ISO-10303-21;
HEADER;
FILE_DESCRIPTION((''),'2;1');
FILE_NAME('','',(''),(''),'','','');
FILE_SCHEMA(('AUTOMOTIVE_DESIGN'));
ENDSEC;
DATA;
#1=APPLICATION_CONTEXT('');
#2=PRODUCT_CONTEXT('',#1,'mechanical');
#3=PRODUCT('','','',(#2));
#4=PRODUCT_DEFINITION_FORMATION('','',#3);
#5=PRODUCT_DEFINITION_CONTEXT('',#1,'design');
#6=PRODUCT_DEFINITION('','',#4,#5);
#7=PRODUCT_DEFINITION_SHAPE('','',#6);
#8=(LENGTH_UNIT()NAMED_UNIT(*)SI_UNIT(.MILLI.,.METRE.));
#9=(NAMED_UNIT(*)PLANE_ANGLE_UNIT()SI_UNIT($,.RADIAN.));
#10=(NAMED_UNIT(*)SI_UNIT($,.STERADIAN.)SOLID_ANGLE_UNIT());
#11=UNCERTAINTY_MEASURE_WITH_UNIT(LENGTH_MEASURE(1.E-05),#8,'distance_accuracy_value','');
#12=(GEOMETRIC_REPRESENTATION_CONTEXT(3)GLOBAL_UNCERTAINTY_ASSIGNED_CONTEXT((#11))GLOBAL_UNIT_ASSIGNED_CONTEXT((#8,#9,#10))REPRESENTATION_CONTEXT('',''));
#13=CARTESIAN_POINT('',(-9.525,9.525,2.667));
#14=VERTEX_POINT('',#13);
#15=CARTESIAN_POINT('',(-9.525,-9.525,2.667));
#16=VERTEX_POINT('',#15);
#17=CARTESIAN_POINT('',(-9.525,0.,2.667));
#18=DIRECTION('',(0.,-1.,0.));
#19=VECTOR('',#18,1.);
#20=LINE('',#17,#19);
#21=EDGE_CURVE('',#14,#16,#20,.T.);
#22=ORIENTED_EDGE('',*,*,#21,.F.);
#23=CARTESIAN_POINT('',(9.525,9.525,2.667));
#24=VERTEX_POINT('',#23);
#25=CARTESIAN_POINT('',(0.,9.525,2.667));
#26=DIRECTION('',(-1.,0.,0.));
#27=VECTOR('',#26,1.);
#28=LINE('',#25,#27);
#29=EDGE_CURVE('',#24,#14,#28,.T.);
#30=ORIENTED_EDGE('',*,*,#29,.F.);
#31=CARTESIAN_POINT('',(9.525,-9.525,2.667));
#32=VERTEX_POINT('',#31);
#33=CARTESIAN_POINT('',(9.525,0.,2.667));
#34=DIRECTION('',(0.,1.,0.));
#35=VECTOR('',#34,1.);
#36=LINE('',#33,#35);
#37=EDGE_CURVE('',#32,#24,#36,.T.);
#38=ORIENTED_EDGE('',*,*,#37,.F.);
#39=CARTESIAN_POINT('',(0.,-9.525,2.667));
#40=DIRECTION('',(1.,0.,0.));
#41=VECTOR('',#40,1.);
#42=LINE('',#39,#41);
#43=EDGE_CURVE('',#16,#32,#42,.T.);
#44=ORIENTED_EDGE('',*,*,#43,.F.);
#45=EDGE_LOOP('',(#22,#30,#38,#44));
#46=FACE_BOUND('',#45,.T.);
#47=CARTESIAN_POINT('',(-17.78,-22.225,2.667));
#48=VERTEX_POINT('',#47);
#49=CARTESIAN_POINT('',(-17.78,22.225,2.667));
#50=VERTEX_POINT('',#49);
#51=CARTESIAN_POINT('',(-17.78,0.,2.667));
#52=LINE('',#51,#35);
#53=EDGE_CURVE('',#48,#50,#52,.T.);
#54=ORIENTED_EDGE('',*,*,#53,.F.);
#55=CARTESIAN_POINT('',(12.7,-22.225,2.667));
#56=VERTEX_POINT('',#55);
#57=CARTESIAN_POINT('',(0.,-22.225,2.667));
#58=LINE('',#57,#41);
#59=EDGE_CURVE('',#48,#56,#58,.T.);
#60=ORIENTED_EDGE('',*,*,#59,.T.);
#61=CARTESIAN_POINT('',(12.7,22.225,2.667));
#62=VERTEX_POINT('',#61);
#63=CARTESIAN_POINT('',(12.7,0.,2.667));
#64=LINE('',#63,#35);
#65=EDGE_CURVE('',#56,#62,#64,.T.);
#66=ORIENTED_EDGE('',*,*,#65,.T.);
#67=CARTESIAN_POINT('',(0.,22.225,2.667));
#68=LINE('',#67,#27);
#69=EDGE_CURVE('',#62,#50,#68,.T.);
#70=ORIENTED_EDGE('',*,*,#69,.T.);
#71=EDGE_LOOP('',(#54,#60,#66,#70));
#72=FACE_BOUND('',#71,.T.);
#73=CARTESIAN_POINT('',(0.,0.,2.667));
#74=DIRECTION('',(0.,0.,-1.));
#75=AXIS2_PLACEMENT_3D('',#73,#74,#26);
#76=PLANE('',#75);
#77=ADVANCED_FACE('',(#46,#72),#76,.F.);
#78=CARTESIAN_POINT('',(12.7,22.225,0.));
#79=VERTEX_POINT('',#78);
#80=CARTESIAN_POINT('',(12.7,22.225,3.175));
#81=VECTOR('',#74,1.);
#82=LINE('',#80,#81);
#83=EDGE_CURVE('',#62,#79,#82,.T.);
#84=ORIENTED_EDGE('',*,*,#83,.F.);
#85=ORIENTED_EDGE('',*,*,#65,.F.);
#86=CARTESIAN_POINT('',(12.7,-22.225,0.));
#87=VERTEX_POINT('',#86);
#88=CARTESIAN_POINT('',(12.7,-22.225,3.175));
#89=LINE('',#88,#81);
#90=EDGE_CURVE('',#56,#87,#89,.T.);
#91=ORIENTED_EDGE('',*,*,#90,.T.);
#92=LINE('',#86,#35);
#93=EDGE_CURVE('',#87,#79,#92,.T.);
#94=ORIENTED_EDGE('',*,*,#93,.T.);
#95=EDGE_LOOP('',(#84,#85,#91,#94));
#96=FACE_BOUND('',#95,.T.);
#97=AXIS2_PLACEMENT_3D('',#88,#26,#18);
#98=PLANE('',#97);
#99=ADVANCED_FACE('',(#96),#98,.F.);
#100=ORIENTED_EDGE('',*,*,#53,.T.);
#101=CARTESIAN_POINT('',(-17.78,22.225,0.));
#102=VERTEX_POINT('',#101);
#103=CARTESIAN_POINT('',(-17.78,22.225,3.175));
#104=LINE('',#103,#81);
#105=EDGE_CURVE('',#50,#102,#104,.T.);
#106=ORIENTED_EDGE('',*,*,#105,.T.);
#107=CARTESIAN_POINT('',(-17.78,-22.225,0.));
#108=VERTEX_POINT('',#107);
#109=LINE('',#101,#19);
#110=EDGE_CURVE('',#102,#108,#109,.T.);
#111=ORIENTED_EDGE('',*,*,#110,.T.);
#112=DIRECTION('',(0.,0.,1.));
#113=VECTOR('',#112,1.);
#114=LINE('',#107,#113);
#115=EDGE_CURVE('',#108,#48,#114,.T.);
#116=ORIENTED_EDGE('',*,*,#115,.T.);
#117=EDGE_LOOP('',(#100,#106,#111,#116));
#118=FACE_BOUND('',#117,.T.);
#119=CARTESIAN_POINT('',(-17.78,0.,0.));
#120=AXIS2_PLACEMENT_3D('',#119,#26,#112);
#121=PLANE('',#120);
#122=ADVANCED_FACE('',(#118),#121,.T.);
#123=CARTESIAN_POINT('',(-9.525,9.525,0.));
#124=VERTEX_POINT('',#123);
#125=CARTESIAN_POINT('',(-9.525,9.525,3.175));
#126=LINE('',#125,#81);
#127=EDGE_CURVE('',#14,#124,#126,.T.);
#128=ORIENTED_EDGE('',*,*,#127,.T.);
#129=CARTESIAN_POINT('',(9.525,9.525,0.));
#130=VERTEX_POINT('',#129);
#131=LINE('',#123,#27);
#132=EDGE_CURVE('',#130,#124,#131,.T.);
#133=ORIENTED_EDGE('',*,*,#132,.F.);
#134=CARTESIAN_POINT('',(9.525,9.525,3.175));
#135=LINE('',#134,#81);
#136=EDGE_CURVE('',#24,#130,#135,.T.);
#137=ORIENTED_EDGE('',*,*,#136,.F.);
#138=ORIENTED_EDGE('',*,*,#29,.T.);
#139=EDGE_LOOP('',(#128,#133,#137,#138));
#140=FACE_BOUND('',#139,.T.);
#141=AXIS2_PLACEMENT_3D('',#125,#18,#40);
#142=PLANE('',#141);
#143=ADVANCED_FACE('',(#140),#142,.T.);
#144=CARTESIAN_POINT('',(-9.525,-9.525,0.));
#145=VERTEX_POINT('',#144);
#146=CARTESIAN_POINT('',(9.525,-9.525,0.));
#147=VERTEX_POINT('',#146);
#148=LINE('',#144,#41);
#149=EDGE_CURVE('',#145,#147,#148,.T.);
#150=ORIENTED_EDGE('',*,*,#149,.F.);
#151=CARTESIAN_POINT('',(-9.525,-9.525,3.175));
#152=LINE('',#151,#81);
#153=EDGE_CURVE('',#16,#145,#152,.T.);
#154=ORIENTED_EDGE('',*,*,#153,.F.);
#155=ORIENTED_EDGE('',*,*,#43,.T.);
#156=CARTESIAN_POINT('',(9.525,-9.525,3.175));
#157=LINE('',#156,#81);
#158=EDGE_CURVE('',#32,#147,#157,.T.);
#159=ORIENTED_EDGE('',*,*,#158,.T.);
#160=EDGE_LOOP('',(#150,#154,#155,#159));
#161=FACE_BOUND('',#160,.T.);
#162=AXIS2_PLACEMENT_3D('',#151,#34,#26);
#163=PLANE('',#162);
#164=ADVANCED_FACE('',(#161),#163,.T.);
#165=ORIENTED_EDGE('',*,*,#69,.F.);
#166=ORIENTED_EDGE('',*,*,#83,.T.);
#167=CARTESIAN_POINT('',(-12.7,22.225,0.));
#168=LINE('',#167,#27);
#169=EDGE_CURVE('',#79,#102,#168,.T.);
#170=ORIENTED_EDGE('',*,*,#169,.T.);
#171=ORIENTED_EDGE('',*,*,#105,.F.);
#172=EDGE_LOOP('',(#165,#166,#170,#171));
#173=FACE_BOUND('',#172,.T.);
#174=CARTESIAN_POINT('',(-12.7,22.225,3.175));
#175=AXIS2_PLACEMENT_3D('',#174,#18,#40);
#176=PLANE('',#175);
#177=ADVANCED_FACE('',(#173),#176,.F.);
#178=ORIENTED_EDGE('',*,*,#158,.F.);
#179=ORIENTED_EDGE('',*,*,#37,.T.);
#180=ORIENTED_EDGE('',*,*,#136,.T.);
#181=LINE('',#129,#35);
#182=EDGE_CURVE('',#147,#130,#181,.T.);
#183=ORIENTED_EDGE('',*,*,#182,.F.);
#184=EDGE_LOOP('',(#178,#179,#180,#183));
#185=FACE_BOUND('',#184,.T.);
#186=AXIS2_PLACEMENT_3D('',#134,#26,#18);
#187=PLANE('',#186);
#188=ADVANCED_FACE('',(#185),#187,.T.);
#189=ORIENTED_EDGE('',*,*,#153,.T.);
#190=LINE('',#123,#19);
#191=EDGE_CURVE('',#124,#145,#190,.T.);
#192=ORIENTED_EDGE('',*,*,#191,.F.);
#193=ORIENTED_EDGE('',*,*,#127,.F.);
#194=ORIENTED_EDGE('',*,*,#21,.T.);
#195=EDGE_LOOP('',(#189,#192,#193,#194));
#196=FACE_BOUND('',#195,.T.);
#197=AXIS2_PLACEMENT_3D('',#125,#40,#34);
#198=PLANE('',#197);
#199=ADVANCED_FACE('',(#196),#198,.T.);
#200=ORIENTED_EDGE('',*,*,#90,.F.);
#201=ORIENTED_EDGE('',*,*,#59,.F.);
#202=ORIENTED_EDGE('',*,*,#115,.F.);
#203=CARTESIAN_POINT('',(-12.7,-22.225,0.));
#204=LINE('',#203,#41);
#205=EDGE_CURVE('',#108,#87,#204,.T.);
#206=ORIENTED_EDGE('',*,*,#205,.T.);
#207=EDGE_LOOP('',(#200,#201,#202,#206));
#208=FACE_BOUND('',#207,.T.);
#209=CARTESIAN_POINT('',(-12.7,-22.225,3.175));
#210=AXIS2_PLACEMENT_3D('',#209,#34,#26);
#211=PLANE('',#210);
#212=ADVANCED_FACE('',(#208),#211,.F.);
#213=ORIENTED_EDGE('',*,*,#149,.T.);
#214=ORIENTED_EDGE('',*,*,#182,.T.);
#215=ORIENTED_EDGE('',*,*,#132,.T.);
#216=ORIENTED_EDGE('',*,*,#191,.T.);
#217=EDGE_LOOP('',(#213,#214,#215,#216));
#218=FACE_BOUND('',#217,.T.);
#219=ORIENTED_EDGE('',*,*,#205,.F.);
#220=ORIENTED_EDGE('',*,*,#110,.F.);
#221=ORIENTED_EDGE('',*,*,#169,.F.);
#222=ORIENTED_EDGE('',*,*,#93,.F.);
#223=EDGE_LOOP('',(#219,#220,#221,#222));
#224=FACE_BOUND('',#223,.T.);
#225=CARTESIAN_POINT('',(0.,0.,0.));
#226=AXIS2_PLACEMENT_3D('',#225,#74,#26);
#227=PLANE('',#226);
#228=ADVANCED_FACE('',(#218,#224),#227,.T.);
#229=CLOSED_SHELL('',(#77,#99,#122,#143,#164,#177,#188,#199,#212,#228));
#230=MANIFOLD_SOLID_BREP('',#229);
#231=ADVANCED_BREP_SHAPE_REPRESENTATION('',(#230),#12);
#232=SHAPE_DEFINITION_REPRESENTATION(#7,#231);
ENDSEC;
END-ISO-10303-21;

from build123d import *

# Parameters (mm, degrees)
SKETCH1_W           = 25.4
SKETCH1_H           = 44.45
SKETCH1_W_2         = 19.05
SKETCH1_H_2         = 19.05
BOSS_EXTRUDE1_DEPTH = 3.175
SKETCH4_W           = 3.175
SKETCH4_H           = 44.45
BOSS_EXTRUDE3_DEPTH = 5.08
MOVE_FACE1_BY       = 0.508


with BuildPart() as part:
    # Sketch1 → Boss-Extrude1 (new body)
    with BuildSketch(Plane.XY):
        Rectangle(SKETCH1_W, SKETCH1_H)
        Rectangle(SKETCH1_W_2, SKETCH1_H_2, mode=Mode.SUBTRACT)
    extrude(amount=BOSS_EXTRUDE1_DEPTH)

    # Sketch4 → Boss-Extrude3 (add)
    with BuildSketch(Plane.ZY.offset(12.7)):
        with Locations((1.5875, 0)):
            Rectangle(SKETCH4_W, SKETCH4_H)
    extrude(amount=BOSS_EXTRUDE3_DEPTH)

    # Move Face1: a face moved inward by 0.508
    extrude(part.faces().sort_by_distance((-2.54, -11.1125, 3.175))[0], amount=MOVE_FACE1_BY, dir=(0, 0, -1), mode=Mode.SUBTRACT)


solid = part.part
